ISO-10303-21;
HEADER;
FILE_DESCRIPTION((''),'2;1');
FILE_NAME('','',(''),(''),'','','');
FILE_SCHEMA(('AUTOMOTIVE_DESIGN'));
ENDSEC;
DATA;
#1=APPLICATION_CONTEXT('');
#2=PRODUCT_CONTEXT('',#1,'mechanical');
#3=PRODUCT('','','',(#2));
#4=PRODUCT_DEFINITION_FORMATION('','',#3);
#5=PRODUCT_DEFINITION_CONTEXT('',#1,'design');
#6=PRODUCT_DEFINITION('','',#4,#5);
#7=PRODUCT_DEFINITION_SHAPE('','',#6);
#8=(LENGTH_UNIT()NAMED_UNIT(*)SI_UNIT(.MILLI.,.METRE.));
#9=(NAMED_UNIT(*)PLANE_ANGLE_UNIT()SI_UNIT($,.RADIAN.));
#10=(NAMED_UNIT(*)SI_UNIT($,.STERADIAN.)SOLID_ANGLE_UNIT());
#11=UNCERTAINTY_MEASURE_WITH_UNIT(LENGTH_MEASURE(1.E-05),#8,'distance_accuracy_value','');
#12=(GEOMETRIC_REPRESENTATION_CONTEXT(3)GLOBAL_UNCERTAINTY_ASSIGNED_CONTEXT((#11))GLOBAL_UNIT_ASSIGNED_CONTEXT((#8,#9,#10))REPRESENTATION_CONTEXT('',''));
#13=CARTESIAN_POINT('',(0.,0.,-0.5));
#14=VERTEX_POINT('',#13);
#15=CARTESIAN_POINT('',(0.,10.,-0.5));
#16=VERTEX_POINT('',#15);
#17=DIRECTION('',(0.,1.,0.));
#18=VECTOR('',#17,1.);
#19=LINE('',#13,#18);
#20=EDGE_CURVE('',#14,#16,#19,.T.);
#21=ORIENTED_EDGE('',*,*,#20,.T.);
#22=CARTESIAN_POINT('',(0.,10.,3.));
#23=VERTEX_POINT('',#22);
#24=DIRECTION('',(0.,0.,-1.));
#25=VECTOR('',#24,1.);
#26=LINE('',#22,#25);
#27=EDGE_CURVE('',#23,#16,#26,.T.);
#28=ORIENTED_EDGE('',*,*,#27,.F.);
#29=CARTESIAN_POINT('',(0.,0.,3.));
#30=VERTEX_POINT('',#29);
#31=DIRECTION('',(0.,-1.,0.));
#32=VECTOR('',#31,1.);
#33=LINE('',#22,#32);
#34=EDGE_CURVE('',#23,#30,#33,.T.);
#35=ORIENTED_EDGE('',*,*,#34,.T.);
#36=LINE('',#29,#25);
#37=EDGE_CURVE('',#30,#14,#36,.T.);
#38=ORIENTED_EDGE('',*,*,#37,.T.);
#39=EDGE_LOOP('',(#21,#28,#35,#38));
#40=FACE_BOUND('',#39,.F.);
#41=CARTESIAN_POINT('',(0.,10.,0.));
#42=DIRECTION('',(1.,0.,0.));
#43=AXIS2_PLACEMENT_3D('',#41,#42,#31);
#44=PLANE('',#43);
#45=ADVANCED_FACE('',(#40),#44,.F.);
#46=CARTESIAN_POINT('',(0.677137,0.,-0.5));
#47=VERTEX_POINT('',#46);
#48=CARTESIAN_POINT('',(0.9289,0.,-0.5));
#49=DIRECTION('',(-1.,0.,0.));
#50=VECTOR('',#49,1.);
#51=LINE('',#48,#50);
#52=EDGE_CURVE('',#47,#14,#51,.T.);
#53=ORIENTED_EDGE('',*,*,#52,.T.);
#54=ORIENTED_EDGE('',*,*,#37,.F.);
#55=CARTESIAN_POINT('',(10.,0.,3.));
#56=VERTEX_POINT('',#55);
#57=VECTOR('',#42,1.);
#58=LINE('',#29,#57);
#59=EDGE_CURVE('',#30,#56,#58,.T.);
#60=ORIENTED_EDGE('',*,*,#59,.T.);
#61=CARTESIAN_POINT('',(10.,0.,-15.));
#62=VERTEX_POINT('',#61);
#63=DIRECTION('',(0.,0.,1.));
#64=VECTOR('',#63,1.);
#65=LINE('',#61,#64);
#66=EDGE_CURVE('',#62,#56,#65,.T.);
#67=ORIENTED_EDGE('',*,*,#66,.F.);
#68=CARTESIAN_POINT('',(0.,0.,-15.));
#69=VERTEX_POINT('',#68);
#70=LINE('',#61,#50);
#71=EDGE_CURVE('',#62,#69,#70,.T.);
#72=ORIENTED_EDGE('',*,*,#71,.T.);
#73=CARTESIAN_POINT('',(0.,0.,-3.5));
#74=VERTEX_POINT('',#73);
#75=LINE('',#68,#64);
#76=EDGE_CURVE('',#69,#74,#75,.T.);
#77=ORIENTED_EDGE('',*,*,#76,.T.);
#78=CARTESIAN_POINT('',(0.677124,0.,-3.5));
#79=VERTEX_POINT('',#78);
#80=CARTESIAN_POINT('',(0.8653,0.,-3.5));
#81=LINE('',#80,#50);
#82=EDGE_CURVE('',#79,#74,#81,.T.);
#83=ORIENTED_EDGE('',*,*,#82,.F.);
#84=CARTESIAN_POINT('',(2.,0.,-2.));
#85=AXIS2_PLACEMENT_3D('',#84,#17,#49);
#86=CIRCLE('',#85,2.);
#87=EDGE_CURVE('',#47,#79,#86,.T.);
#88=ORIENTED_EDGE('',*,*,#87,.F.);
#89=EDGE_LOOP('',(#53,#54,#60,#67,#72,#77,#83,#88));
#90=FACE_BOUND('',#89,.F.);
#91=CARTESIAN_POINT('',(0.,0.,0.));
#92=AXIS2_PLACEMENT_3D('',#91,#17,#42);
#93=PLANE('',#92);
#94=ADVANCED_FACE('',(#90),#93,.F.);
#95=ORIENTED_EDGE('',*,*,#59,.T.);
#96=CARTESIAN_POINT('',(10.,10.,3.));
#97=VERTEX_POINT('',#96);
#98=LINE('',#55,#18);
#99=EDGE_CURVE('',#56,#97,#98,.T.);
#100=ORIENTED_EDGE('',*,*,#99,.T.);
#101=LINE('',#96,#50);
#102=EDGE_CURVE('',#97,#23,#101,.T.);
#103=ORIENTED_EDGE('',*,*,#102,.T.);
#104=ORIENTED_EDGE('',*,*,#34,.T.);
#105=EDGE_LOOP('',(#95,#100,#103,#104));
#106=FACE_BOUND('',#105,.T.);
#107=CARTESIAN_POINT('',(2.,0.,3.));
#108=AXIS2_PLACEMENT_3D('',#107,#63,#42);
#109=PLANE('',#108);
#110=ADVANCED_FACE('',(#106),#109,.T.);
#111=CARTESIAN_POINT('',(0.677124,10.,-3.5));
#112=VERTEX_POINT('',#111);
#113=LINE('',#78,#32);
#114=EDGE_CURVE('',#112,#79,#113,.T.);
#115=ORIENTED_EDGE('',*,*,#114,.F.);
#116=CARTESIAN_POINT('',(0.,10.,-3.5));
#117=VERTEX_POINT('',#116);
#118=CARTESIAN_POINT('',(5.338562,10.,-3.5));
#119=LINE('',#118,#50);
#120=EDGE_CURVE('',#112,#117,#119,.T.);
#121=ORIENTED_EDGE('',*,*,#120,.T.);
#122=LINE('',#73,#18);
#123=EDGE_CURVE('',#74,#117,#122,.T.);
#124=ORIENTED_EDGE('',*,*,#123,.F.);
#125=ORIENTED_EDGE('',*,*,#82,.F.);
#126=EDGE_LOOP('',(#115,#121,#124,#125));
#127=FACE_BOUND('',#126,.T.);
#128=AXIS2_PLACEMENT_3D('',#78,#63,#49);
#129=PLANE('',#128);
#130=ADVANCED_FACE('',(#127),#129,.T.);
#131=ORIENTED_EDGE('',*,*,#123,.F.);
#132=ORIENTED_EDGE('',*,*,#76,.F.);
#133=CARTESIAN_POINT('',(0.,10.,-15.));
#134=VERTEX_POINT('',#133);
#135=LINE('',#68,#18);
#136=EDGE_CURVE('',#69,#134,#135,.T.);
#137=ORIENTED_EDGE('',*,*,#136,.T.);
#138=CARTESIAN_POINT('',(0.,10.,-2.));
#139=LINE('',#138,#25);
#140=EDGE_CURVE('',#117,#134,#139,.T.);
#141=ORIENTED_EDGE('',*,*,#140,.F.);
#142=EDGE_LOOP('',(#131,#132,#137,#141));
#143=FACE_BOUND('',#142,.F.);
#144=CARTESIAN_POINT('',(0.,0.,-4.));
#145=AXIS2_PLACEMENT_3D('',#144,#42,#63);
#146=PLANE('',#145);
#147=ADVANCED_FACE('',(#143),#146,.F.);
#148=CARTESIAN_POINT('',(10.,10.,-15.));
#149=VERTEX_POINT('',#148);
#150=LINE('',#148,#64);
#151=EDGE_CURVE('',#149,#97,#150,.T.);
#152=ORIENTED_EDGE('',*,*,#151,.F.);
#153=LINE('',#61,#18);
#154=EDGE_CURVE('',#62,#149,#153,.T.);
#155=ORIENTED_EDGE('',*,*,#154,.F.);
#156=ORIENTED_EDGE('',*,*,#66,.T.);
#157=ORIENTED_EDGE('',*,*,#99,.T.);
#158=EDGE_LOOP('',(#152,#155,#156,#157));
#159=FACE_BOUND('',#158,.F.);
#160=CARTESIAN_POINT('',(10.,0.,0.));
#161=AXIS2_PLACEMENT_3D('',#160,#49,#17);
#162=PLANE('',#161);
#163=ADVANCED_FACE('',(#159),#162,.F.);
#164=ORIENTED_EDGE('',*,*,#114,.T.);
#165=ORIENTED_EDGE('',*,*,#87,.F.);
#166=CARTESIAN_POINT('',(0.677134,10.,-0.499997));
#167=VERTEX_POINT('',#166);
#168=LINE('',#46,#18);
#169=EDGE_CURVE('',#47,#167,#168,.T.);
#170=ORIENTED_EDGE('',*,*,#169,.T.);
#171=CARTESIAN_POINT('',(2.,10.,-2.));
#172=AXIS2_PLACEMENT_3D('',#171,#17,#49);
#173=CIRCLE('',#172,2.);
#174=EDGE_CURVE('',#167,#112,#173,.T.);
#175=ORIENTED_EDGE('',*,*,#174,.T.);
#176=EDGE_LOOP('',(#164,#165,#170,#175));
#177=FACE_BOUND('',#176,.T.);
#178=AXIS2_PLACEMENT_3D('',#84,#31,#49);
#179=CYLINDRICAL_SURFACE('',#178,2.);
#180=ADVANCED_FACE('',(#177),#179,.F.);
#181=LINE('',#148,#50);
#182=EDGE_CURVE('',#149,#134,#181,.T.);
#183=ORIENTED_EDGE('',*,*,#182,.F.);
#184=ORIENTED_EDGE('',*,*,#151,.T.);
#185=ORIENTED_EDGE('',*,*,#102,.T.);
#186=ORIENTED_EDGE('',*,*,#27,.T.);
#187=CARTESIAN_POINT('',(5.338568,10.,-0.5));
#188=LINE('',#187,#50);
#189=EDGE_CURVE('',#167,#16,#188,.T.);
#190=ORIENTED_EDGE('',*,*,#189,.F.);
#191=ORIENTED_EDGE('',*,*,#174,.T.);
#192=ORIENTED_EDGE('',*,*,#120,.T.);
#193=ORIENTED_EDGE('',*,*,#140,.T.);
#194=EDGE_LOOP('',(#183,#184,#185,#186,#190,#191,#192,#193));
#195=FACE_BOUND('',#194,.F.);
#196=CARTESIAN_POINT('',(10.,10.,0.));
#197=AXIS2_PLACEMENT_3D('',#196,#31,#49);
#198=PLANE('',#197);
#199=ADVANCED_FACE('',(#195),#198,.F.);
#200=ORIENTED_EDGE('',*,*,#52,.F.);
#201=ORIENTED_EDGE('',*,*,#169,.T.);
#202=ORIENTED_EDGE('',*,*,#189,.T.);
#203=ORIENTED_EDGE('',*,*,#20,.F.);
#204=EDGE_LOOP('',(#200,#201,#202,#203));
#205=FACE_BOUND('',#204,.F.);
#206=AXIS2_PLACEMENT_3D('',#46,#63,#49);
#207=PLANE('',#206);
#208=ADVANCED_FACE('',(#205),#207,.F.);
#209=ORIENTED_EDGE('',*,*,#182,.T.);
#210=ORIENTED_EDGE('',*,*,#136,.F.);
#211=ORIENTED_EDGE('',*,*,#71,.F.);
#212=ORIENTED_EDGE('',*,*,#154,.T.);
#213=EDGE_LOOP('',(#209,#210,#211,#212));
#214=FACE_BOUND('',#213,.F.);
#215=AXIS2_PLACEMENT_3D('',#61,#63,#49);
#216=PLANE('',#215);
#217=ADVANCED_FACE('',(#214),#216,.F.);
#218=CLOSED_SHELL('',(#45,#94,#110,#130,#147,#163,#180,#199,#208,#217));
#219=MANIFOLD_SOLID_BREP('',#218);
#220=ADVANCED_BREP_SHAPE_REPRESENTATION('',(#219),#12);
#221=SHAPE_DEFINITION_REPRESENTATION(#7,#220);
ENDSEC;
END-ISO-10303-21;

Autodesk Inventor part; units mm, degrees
ref_plane "YZ Plane" through (0, 0, 0) normal (1, 0, 0) x (0, 1, 0)
ref_plane "XZ Plane" through (0, 0, 0) normal (0, 1, 0) x (-1, 0, 0)
ref_plane "XY Plane" through (0, 0, 0) normal (0, 0, 1) x (1, 0, 0)
sketch "Sketch1" plane through (0, 0, 0) normal (0, 1, 0) x (-1, 0, 0)
  point P0 (0, 0)
sketch "Sketch2" plane through (0, 0, 0) normal (0, 1, 0) x (-1, 0, 0)
  line L0 (0, 0) -> (-5, 0)
  line L1 (-5, 0) -> (-5, -4)
  line L2 (-5, -4) -> (0, -4)
  line L3 (0, -4) -> (0, 0)
  line L4 (0, 0) -> (-10, 0)
  line L5 (-10, 0) -> (-10, -15)
  line L6 (-10, -15) -> (0, -15)
  line L7 (0, -15) -> (0, 0)
  circle A0 centre (-2, -2) radius 2
  line L8 (-5, 0) -> (-2, 0)
  line L9 (-2, 0) -> (-2, -4)
  line L10 (-2, -4) -> (-5, -4)
  line L11 (-5, -4) -> (-5, 0)
  point P0 (0, -2)
  dimension "d0" = 5
  dimension "d1" = 4
  dimension "d2" = 10
  dimension "d3" = 15
sketch "Sketch3" plane through (0, 0, 0) normal (0, 1, 0) x (-1, 0, 0)
  line L0 (0, 0) -> (0, -4.0004)
  line L1 (0, -4.0004) -> (0, -2.0004)
  line L2 (0, -4.0004) -> (-2.5, -4.0004)
  dimension "d4" = 2
  dimension "d5" = 2.5
extrude "Extrusion1" add sketch "Sketch2" along normal blind 10 contours L3 A0 L0 | A0 L2 L1 L0 | L3 L2 A0 | L1 L2 L7 L6 L5 L4
sketch "Sketch4" plane through (2, 0, 0) normal (0, 0, 1) x (1, 0, 0)
  line L0 (8, 0) -> (8, 10) projected
  line L1 (8, 10) -> (-2, 10)
  line L2 (-2, 10) -> (-2, 0)
  line L3 (-2, 0) -> (8, 0)
  line L4 (8, 0) -> (8, 10)
extrude "Extrusion2" add sketch "Sketch4" along normal blind 3
sketch "Sketch5" plane through (0, 0, 0) normal (0, -1, 0) x (1, 0, 0)
  line L0 (0, -15) -> (0, -2) projected
  line L1 (0, -0.3956) -> (0, -3.6044)
  line L2 (0, -3.666) -> (0, -0.334)
  line L3 (0, -2) -> (0, 3) projected
  line L4 (0, -0.334) -> (0, -3.666)
  point P0 (0, 0)
sketch "Sketch6" plane through (0, 0, 0) normal (0, -1, 0) x (1, 0, 0)
  line L0 (0, -15) -> (0, -2) projected
  line L1 (0, -2) -> (0.9417, -2)
  line L2 (0.9417, -2) -> (0.9417, -0.5)
  line L3 (0.9417, -0.5) -> (0, -0.5)
  line L4 (0, -0.5) -> (0, -2)
  circle A0 centre (2, -2) radius 2 projected
  line L5 (0, -2) -> (0.8653, -2)
  line L6 (0.8653, -2) -> (0.8653, -3.5)
  line L7 (0.8653, -3.5) -> (0, -3.5)
  line L8 (0, -3.5) -> (0, -2)
  point P0 (0, 0)
  dimension "d10" = 1.5
  dimension "d11" = 1.5
extrude "Extrusion3" cut sketch "Sketch6" against normal blind 20 contours L0 A0 L7 | L1 L6 L7 A0
sketch "Sketch7" plane through (0, 0, 0) normal (0, -1, 0) x (1, 0, 0)
  arc A0 (0.6771, -3.5) -> (0, -2) centre (2, -2) ccw projected
  line L0 (0, -2) -> (0.9289, -2)
  line L1 (0.9289, -2) -> (0.9289, -0.5)
  line L2 (0.9289, -0.5) -> (0, -0.5)
  line L3 (0, -0.5) -> (0, -2)
  point P0 (0, 0)
  point P1 (0.6771, -0.5)
  dimension "d14" = 1.5
extrude "Extrusion4" cut sketch "Sketch7" against normal blind 20 contours A0 L3 L2
sketch "Sketch8" plane through (0, 0, 0) normal (0, -1, 0) x (1, 0, 0)
  point P0 (0, 0)
